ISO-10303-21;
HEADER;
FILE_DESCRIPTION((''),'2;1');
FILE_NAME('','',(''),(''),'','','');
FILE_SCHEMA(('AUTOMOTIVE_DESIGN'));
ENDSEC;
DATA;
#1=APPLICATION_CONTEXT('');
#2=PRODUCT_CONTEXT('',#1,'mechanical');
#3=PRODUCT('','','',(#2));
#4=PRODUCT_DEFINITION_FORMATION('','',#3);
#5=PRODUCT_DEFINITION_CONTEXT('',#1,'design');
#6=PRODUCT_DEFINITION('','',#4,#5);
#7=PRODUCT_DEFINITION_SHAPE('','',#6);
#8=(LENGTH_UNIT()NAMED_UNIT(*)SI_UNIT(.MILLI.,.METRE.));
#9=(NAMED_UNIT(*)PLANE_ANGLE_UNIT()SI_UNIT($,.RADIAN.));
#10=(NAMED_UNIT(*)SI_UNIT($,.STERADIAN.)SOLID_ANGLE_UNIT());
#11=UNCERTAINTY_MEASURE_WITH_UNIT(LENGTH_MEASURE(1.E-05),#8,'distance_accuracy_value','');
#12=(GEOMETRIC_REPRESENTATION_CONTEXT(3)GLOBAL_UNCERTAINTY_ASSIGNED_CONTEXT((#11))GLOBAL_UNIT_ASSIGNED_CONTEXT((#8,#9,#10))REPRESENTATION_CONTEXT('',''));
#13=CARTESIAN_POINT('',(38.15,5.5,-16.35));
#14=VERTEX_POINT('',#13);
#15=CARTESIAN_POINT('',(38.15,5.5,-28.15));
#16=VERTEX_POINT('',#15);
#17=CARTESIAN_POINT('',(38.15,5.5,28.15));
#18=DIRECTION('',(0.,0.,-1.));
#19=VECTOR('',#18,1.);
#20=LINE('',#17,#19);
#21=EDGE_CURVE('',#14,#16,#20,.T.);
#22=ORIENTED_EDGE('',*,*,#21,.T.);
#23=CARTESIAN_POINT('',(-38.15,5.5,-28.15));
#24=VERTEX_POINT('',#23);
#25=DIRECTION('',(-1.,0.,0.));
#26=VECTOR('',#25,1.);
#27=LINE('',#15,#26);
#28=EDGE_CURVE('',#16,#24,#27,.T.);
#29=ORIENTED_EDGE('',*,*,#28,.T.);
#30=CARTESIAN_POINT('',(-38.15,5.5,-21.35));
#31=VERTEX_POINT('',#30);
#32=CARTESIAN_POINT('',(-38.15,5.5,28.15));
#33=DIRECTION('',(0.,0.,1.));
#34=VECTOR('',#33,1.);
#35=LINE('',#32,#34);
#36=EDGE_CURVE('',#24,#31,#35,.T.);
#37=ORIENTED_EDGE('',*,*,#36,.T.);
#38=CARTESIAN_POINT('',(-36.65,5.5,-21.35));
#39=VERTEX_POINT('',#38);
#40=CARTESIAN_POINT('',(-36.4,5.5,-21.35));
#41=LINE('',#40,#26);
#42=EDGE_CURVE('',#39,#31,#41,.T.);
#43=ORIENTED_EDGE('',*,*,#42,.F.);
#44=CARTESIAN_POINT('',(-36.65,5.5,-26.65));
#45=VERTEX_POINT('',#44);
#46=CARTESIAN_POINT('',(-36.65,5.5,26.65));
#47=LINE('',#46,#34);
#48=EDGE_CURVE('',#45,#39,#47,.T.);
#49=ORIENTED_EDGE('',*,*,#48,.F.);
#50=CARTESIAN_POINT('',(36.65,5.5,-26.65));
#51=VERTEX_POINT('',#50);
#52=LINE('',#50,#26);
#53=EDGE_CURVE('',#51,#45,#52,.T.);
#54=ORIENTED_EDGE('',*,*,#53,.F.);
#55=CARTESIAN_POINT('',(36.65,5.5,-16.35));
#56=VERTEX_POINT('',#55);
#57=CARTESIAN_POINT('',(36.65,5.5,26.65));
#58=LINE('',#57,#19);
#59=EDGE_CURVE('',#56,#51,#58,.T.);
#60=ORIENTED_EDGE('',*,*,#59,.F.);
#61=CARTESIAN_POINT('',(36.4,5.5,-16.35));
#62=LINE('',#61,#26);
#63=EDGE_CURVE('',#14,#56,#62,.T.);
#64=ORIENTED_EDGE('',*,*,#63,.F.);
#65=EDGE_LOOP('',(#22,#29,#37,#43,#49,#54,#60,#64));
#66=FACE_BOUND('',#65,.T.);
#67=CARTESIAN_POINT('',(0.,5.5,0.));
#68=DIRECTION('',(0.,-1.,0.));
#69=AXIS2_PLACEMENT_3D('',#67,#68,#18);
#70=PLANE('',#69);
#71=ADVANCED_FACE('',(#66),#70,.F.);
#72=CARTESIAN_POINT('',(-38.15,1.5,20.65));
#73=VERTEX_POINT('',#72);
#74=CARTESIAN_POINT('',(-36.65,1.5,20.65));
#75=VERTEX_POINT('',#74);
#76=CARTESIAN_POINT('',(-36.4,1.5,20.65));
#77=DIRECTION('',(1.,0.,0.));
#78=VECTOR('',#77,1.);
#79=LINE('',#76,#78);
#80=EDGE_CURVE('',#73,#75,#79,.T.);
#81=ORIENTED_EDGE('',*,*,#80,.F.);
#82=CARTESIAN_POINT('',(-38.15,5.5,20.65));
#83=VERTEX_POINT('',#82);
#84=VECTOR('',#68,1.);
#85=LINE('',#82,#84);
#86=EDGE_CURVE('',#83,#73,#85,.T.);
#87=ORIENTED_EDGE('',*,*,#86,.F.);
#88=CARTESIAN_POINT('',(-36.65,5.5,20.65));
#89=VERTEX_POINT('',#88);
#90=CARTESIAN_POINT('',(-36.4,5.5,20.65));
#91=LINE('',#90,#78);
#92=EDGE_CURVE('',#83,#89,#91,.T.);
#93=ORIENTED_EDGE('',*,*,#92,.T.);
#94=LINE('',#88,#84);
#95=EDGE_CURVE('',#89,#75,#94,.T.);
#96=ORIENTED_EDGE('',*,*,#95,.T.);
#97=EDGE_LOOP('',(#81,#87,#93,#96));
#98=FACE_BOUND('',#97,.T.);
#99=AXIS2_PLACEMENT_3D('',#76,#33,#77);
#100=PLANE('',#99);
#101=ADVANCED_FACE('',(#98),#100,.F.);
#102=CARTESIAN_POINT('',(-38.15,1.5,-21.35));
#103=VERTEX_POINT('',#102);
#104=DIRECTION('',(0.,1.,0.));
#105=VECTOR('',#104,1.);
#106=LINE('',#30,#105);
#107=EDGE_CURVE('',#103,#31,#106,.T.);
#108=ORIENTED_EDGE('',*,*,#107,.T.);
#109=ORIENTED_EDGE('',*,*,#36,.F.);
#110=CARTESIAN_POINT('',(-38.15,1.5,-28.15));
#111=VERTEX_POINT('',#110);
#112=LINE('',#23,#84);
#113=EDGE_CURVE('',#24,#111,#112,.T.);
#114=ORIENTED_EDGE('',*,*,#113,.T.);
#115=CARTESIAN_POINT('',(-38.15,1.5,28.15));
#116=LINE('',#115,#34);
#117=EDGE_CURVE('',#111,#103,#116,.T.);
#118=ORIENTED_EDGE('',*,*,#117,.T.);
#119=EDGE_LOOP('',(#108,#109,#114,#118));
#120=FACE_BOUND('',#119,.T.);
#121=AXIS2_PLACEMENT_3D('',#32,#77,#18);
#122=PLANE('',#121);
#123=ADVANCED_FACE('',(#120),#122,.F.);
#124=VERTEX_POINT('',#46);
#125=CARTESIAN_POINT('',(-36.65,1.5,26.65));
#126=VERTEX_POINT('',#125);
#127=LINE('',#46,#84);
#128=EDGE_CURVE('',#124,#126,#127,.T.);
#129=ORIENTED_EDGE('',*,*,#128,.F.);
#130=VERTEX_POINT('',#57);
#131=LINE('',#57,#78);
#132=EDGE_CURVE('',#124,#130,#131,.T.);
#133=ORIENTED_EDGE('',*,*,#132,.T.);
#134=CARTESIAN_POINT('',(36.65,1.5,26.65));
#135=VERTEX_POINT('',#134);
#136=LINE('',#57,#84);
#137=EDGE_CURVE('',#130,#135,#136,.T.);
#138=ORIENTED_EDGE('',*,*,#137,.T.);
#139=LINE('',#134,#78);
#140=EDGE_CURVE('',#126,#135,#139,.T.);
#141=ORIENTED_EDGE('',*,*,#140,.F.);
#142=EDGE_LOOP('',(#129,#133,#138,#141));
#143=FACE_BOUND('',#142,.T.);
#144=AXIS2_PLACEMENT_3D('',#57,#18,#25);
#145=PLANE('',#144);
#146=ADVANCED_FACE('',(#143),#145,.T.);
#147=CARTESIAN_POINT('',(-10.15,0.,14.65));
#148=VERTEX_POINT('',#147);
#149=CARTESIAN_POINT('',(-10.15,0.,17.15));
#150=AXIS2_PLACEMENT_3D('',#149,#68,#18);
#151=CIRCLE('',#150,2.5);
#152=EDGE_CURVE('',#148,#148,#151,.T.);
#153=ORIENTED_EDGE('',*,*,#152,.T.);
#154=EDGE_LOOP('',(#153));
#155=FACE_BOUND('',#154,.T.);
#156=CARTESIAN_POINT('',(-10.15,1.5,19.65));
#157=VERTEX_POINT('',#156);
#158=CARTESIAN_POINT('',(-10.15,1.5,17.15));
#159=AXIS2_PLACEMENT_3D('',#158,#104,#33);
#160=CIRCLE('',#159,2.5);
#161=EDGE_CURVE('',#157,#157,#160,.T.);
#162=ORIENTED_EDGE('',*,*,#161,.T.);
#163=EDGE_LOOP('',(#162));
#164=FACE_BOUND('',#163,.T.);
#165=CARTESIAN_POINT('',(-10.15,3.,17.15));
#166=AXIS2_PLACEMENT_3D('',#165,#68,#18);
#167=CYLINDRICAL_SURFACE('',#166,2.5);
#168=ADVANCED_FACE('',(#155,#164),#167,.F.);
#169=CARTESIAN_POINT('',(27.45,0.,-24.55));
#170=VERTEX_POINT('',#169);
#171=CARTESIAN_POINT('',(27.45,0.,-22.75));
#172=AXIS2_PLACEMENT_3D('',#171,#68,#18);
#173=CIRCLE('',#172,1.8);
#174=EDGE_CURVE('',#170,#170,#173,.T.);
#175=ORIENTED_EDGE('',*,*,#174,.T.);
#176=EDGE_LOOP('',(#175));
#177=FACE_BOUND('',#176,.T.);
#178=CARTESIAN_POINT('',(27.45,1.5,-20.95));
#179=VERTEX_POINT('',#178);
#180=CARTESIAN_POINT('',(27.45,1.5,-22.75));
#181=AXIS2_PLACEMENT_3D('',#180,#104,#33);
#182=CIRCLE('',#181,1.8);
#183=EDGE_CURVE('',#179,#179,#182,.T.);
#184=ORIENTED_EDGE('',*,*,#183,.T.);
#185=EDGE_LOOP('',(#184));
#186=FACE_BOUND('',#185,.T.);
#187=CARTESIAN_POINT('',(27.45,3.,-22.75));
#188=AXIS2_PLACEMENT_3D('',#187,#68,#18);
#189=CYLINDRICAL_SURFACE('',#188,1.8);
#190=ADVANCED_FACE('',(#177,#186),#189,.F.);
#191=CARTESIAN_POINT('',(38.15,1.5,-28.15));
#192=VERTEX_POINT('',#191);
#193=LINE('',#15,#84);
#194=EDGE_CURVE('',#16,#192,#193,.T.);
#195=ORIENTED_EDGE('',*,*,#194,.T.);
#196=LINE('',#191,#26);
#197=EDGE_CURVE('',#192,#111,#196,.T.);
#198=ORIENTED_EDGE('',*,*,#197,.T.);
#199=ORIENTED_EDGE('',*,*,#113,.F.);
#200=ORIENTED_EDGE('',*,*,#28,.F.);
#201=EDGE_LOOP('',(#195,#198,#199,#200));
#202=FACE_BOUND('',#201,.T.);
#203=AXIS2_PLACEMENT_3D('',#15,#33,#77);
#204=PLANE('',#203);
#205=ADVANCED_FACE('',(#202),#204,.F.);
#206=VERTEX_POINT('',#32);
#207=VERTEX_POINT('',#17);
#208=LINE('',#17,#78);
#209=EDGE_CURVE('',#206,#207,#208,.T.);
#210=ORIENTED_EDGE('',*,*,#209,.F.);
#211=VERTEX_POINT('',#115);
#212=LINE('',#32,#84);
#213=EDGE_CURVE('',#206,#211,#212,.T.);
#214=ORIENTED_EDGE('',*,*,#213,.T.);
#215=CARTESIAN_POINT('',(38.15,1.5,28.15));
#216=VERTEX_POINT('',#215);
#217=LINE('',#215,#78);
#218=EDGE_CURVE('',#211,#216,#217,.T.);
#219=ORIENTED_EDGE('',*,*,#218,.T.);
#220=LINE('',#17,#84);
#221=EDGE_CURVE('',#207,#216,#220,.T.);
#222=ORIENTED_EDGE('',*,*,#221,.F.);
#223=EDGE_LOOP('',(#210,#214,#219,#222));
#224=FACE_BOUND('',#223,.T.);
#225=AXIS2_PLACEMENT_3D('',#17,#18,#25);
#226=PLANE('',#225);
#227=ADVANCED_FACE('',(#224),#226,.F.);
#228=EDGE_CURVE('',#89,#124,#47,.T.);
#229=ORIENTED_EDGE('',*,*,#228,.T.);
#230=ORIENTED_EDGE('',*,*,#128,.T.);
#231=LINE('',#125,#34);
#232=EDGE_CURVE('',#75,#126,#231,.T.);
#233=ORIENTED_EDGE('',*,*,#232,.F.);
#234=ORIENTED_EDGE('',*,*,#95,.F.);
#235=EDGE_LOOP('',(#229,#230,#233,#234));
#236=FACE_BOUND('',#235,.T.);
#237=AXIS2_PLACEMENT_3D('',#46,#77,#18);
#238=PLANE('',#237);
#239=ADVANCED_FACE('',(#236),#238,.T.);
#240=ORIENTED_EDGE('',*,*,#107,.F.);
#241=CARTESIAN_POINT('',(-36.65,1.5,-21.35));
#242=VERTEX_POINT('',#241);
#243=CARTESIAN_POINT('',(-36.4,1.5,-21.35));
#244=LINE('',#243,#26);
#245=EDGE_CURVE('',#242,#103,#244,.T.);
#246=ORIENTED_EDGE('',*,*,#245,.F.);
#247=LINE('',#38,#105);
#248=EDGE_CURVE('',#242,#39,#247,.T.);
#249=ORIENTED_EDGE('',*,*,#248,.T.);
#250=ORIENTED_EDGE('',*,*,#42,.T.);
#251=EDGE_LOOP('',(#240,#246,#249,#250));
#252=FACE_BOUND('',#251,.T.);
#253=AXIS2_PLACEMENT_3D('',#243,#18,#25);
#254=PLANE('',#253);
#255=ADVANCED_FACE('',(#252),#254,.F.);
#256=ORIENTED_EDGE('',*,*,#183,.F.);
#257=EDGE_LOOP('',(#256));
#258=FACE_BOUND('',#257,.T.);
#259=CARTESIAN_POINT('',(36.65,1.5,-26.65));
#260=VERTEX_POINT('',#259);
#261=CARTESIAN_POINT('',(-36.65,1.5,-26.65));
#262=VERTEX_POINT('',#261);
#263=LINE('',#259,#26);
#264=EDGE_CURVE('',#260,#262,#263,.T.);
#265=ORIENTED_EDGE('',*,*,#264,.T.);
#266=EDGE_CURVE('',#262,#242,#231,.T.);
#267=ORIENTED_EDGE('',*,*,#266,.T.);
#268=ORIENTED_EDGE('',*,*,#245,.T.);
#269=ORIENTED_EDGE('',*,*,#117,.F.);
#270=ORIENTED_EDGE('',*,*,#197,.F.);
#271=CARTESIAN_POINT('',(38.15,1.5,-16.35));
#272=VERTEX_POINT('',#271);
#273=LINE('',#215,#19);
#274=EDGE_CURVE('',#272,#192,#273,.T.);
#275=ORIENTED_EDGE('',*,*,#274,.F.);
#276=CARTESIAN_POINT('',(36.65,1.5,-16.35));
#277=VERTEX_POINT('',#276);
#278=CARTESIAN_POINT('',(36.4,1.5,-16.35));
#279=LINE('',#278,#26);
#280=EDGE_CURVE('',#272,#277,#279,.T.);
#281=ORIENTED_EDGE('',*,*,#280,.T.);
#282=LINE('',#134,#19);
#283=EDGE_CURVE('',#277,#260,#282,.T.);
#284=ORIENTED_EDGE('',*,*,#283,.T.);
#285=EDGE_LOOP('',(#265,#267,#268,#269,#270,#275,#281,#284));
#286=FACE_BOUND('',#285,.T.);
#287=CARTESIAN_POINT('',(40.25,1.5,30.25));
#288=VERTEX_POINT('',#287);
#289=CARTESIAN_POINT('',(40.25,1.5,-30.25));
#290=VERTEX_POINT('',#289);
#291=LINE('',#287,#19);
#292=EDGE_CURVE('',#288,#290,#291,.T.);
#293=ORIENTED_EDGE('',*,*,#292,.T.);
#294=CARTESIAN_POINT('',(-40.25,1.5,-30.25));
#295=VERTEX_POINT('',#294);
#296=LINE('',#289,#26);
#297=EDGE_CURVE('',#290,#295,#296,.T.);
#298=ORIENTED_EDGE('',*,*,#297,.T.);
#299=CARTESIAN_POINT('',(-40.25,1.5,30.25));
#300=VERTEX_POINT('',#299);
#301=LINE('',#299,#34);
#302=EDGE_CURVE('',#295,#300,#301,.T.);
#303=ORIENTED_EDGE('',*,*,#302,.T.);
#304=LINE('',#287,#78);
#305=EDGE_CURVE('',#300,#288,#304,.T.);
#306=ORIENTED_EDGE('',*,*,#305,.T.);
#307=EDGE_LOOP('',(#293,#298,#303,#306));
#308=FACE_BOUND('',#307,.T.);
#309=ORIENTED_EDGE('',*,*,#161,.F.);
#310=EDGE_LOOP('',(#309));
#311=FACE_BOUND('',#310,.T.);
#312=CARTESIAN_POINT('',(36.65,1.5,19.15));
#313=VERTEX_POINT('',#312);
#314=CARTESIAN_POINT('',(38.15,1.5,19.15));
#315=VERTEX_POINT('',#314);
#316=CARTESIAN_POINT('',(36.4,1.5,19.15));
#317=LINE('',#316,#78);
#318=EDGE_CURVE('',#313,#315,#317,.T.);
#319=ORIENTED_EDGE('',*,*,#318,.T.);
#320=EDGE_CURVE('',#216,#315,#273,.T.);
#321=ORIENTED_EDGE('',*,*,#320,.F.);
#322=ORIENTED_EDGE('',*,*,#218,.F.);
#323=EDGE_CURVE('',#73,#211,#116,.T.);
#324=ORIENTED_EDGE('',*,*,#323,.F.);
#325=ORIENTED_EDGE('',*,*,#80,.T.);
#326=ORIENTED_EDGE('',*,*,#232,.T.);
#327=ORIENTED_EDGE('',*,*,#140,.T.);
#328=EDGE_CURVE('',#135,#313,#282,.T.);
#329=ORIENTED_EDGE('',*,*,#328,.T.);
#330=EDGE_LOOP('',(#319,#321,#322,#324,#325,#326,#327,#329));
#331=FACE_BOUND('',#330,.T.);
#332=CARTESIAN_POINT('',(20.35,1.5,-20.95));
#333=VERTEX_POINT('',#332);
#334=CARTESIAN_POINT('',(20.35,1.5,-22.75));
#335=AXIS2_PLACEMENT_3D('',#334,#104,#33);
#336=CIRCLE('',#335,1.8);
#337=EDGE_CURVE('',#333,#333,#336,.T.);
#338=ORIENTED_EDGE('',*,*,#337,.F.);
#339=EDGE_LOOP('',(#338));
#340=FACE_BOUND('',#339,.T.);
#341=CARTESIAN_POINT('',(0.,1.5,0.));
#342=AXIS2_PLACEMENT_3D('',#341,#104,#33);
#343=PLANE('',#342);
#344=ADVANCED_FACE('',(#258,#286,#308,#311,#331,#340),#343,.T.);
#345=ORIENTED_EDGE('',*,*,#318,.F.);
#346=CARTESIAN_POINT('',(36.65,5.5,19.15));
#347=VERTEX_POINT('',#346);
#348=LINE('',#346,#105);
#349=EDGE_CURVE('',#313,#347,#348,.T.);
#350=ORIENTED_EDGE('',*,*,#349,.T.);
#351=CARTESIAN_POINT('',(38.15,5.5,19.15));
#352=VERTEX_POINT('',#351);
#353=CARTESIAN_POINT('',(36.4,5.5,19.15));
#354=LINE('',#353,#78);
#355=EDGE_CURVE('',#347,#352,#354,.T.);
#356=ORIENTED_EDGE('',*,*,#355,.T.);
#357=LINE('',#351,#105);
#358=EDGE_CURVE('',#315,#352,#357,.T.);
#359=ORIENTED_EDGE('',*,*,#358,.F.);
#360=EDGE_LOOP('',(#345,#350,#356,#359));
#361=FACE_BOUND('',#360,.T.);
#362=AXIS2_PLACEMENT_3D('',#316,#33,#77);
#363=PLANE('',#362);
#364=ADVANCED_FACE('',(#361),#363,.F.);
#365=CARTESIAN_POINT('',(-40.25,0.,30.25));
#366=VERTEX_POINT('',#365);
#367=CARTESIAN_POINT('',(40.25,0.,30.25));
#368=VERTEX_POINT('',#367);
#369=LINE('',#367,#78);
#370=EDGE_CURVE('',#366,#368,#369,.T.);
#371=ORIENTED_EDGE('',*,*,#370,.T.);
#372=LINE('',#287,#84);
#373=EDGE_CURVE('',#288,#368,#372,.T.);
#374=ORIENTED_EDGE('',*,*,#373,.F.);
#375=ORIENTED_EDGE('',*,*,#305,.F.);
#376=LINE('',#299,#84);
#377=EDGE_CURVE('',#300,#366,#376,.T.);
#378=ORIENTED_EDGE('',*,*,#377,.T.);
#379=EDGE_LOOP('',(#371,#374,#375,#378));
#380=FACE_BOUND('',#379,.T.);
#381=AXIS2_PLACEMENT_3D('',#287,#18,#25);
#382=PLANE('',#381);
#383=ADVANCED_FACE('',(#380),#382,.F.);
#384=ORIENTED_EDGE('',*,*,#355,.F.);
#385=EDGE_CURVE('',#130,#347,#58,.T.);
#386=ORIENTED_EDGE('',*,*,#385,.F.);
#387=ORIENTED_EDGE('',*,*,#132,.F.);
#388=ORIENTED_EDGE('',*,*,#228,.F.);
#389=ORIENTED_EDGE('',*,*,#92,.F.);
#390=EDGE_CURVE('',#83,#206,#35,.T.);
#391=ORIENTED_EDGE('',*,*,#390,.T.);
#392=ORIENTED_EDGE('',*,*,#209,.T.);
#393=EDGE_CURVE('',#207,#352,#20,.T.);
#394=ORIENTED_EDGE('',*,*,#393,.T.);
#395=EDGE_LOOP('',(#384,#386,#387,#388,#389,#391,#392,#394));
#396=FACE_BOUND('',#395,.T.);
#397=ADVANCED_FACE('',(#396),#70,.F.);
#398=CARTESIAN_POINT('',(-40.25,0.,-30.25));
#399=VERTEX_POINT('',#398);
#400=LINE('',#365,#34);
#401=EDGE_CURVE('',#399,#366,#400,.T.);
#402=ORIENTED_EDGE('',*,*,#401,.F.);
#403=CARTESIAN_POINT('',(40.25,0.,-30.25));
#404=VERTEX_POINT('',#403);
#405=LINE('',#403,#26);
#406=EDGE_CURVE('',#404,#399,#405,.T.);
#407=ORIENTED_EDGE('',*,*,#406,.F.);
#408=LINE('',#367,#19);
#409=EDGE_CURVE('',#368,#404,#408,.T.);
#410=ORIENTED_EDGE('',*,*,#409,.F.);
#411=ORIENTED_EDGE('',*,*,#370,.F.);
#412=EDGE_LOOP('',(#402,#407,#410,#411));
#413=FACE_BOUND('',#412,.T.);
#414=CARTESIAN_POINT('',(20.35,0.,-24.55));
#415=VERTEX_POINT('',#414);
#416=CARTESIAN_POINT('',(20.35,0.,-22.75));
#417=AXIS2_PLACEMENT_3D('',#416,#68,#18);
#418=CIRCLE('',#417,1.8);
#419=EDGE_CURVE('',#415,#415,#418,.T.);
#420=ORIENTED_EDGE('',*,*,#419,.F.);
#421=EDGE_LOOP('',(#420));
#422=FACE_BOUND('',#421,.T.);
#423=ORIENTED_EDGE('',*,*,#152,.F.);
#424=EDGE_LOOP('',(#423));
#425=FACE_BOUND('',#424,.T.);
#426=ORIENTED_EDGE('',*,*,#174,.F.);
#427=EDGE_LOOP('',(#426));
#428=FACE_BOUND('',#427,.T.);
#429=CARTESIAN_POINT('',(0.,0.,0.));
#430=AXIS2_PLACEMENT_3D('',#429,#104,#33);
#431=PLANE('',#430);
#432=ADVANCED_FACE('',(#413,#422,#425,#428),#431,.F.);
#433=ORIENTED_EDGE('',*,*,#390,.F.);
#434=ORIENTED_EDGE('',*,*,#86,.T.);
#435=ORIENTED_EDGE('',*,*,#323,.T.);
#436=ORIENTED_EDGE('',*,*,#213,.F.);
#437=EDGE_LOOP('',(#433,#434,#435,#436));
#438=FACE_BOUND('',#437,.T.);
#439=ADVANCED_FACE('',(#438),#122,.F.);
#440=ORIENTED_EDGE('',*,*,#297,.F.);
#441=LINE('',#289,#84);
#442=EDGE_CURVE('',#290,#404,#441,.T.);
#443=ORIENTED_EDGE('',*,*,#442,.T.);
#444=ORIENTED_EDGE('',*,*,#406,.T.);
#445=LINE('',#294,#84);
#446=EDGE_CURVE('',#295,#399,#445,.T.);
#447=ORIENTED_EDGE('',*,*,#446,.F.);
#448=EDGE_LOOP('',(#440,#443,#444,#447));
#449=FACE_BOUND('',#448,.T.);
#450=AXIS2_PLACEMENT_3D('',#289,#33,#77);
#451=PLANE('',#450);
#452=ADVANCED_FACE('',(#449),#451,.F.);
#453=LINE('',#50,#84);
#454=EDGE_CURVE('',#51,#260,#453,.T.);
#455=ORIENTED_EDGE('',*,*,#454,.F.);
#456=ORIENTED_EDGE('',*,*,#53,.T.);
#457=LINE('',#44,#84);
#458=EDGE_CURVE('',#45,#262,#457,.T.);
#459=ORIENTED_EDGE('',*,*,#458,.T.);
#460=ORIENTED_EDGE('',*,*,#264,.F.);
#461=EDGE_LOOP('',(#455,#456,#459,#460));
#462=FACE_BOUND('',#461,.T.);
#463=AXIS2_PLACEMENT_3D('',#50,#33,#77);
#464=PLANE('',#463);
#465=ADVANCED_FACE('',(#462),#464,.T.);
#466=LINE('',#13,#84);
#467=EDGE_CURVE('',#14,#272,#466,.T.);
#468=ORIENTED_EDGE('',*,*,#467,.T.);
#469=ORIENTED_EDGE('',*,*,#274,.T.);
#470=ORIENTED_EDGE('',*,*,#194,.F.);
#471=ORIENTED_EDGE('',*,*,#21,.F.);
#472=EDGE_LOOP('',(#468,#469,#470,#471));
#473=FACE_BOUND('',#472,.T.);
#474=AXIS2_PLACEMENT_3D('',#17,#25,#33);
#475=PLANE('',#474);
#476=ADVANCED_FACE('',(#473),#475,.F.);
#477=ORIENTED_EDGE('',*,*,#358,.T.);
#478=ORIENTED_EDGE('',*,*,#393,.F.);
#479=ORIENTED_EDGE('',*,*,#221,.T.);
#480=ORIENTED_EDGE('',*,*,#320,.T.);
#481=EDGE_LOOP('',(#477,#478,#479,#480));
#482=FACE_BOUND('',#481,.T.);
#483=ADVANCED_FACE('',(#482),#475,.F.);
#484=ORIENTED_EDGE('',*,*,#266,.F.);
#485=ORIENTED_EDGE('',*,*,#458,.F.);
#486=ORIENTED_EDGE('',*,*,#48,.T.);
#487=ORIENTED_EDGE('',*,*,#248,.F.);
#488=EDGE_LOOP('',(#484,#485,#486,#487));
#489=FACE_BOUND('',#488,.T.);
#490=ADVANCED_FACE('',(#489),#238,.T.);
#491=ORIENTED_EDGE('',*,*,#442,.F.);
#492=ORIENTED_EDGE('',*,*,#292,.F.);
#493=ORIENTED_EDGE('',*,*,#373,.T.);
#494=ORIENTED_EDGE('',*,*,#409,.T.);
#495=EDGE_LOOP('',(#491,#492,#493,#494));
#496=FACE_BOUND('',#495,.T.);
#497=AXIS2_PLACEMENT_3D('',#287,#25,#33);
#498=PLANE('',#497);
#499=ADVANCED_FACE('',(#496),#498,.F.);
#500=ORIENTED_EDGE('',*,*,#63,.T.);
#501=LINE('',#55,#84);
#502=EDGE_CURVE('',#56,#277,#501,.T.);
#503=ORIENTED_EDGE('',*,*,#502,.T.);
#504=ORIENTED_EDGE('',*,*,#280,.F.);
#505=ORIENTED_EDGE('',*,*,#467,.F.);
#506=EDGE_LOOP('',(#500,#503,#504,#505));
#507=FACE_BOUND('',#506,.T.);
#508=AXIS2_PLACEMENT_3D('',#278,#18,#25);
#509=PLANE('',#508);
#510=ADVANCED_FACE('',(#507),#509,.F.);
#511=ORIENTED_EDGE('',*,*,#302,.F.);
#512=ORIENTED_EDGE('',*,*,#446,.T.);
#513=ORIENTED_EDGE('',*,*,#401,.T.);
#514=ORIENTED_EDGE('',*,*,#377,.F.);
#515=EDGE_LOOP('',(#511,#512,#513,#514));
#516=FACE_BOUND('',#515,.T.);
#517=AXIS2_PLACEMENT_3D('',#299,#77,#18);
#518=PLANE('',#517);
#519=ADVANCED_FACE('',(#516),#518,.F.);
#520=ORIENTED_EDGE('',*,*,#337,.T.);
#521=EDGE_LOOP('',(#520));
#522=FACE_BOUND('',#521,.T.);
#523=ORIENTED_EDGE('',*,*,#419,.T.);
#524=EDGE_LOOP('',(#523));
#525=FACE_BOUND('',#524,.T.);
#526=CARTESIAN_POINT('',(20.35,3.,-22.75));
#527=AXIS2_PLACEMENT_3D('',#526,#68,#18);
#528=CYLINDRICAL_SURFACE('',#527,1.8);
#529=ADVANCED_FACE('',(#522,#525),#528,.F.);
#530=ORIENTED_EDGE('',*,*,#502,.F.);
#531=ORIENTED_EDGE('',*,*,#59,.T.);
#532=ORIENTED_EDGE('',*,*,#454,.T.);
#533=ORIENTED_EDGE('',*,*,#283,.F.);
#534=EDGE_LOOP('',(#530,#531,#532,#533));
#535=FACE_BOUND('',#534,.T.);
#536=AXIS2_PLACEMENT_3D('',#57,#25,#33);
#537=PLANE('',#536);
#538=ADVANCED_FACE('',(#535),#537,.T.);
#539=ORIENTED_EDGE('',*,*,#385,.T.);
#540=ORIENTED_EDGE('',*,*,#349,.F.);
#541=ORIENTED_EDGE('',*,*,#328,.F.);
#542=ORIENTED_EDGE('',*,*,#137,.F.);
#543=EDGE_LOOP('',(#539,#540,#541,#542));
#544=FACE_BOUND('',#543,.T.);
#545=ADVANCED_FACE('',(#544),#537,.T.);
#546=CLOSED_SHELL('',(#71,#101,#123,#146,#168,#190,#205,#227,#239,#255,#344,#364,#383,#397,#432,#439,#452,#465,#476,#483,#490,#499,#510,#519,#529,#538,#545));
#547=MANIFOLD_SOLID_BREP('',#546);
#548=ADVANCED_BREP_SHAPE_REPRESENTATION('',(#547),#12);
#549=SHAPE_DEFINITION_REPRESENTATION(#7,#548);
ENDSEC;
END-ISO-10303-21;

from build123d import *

# Parameters (mm, degrees)
SKETCH_1_W          = 80.5
SKETCH_1_H          = 60.5
EXTRUDE_1_DEPTH     = 1.5
SKETCH_2_W          = 76.3
SKETCH_2_H          = 56.3
SKETCH_2_W_2        = 73.3
SKETCH_2_H_2        = 53.3
EXTRUDE_2_DEPTH     = 4
SKETCH_4_W          = 2
SKETCH_4_H          = 35.5
SKETCH_4_H_2        = 42
CUT_EXTRUDE_1_DEPTH = 4
SKETCH_5_R          = 1.8
SKETCH_5_R_2        = 2.5
CUT_EXTRUDE_2_DEPTH = 3


with BuildPart() as part:
    # 草图1 → 凸台-拉伸1 (new body)
    with BuildSketch(Plane(origin=(0, 0, 0), x_dir=(1, 0, 0), z_dir=(0, 1, 0))):
        Rectangle(SKETCH_1_W, SKETCH_1_H)
    extrude(amount=EXTRUDE_1_DEPTH)

    # 草图2 → 凸台-拉伸2 (add)
    with BuildSketch(Plane(origin=(0, 1.5, 0), x_dir=(1, 0, 0), z_dir=(0, 1, 0))):
        Rectangle(SKETCH_2_W, SKETCH_2_H)
        Rectangle(SKETCH_2_W_2, SKETCH_2_H_2, mode=Mode.SUBTRACT)
    extrude(amount=EXTRUDE_2_DEPTH)

    # 草图4 → 切除-拉伸1 (cut)
    with BuildSketch(Plane(origin=(0, 5.5, 0), x_dir=(1, 0, 0), z_dir=(0, 1, 0))):
        with Locations((37.4, -1.4)):
            Rectangle(SKETCH_4_W, SKETCH_4_H)
        with Locations((-37.4, 0.35)):
            Rectangle(SKETCH_4_W, SKETCH_4_H_2)
    extrude(amount=-CUT_EXTRUDE_1_DEPTH, mode=Mode.SUBTRACT)

    # 草图5 → 切除-拉伸2 (cut)
    with BuildSketch(Plane.XZ):
        with Locations((20.35, -22.75)):
            Circle(SKETCH_5_R)
        with Locations((27.45, -22.75)):
            Circle(SKETCH_5_R)
        with Locations((-10.15, 17.15)):
            Circle(SKETCH_5_R_2)
    extrude(amount=-CUT_EXTRUDE_2_DEPTH, mode=Mode.SUBTRACT)


solid = part.part
